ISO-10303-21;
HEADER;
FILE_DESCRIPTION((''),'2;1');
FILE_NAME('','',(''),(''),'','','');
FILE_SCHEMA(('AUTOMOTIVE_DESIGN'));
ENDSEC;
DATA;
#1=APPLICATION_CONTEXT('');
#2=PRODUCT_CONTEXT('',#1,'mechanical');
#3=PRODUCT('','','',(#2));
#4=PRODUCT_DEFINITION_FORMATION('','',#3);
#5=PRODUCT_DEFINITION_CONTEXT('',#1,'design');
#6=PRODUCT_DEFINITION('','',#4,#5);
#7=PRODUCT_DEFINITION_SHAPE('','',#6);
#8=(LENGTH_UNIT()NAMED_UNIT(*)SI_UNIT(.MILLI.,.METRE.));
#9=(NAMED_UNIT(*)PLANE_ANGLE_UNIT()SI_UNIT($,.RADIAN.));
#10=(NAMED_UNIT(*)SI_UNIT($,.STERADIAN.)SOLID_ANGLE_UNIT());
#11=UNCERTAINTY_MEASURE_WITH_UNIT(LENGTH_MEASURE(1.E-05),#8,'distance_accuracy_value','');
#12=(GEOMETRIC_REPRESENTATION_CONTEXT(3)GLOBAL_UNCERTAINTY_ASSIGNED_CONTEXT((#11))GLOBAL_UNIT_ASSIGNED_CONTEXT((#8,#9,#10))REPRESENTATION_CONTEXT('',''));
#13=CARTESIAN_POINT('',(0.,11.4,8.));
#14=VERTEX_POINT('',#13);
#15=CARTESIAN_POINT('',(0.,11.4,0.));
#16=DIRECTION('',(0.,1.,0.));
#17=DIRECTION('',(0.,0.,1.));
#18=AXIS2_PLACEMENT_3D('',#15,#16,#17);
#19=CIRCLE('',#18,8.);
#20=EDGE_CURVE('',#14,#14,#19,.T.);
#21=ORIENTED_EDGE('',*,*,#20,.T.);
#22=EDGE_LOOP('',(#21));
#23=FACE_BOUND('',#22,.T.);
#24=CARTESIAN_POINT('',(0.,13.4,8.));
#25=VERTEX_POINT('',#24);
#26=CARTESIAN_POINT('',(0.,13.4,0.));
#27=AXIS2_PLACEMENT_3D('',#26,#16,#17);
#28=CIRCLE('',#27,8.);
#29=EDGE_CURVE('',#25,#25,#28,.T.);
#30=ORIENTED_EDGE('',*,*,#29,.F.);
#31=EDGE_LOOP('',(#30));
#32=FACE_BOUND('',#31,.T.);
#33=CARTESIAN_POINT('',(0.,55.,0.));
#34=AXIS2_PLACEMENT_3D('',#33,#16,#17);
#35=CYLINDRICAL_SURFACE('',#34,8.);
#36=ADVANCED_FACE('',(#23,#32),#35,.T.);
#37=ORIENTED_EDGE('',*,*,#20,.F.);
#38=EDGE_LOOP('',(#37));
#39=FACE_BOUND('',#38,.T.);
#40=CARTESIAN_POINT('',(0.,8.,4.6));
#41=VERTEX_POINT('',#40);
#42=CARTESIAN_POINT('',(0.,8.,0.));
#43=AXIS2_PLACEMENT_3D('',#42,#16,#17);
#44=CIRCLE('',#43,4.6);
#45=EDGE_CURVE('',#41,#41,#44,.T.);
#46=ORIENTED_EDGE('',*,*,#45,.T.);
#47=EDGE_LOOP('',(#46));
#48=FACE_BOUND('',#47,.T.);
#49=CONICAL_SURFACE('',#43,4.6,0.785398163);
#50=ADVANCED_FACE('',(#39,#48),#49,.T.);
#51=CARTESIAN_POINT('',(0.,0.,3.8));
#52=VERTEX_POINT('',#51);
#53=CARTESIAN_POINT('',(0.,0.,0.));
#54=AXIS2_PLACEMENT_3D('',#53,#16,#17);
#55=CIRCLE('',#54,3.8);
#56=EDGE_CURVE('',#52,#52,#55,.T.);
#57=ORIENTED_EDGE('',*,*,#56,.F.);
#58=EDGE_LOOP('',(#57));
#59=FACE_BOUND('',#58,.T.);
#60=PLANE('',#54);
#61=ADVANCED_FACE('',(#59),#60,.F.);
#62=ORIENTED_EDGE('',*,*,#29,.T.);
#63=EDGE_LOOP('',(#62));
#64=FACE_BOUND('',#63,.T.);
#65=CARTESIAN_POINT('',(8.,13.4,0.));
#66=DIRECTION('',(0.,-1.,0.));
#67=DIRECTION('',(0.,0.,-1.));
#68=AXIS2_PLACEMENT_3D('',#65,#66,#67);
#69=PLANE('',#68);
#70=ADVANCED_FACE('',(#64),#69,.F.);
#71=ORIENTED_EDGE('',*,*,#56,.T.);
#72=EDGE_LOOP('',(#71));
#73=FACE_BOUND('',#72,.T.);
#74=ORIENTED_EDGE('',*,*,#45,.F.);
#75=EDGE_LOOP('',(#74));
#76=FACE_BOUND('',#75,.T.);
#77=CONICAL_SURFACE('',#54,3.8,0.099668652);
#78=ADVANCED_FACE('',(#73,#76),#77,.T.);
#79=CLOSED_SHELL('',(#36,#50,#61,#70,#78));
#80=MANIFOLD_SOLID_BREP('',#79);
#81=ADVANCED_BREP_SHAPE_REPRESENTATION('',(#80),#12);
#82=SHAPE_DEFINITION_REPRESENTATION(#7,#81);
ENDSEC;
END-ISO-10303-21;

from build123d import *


with BuildPart() as part:
    # Sketch1 → Revolve1 (revolve)
    with BuildSketch(Plane.XY, mode=Mode.PRIVATE) as revolve1_sk:
        Polygon((0, 0), (3.8, 0), (4.6, 8), (8, 11.4), (8, 13.4), (0, 13.4), align=None)
    revolve(revolve1_sk.sketch.rotate(Axis((0, 55, 0), (0, -1, 0)), 90), axis=Axis((0, 55, 0), (0, -1, 0)))


solid = part.part
